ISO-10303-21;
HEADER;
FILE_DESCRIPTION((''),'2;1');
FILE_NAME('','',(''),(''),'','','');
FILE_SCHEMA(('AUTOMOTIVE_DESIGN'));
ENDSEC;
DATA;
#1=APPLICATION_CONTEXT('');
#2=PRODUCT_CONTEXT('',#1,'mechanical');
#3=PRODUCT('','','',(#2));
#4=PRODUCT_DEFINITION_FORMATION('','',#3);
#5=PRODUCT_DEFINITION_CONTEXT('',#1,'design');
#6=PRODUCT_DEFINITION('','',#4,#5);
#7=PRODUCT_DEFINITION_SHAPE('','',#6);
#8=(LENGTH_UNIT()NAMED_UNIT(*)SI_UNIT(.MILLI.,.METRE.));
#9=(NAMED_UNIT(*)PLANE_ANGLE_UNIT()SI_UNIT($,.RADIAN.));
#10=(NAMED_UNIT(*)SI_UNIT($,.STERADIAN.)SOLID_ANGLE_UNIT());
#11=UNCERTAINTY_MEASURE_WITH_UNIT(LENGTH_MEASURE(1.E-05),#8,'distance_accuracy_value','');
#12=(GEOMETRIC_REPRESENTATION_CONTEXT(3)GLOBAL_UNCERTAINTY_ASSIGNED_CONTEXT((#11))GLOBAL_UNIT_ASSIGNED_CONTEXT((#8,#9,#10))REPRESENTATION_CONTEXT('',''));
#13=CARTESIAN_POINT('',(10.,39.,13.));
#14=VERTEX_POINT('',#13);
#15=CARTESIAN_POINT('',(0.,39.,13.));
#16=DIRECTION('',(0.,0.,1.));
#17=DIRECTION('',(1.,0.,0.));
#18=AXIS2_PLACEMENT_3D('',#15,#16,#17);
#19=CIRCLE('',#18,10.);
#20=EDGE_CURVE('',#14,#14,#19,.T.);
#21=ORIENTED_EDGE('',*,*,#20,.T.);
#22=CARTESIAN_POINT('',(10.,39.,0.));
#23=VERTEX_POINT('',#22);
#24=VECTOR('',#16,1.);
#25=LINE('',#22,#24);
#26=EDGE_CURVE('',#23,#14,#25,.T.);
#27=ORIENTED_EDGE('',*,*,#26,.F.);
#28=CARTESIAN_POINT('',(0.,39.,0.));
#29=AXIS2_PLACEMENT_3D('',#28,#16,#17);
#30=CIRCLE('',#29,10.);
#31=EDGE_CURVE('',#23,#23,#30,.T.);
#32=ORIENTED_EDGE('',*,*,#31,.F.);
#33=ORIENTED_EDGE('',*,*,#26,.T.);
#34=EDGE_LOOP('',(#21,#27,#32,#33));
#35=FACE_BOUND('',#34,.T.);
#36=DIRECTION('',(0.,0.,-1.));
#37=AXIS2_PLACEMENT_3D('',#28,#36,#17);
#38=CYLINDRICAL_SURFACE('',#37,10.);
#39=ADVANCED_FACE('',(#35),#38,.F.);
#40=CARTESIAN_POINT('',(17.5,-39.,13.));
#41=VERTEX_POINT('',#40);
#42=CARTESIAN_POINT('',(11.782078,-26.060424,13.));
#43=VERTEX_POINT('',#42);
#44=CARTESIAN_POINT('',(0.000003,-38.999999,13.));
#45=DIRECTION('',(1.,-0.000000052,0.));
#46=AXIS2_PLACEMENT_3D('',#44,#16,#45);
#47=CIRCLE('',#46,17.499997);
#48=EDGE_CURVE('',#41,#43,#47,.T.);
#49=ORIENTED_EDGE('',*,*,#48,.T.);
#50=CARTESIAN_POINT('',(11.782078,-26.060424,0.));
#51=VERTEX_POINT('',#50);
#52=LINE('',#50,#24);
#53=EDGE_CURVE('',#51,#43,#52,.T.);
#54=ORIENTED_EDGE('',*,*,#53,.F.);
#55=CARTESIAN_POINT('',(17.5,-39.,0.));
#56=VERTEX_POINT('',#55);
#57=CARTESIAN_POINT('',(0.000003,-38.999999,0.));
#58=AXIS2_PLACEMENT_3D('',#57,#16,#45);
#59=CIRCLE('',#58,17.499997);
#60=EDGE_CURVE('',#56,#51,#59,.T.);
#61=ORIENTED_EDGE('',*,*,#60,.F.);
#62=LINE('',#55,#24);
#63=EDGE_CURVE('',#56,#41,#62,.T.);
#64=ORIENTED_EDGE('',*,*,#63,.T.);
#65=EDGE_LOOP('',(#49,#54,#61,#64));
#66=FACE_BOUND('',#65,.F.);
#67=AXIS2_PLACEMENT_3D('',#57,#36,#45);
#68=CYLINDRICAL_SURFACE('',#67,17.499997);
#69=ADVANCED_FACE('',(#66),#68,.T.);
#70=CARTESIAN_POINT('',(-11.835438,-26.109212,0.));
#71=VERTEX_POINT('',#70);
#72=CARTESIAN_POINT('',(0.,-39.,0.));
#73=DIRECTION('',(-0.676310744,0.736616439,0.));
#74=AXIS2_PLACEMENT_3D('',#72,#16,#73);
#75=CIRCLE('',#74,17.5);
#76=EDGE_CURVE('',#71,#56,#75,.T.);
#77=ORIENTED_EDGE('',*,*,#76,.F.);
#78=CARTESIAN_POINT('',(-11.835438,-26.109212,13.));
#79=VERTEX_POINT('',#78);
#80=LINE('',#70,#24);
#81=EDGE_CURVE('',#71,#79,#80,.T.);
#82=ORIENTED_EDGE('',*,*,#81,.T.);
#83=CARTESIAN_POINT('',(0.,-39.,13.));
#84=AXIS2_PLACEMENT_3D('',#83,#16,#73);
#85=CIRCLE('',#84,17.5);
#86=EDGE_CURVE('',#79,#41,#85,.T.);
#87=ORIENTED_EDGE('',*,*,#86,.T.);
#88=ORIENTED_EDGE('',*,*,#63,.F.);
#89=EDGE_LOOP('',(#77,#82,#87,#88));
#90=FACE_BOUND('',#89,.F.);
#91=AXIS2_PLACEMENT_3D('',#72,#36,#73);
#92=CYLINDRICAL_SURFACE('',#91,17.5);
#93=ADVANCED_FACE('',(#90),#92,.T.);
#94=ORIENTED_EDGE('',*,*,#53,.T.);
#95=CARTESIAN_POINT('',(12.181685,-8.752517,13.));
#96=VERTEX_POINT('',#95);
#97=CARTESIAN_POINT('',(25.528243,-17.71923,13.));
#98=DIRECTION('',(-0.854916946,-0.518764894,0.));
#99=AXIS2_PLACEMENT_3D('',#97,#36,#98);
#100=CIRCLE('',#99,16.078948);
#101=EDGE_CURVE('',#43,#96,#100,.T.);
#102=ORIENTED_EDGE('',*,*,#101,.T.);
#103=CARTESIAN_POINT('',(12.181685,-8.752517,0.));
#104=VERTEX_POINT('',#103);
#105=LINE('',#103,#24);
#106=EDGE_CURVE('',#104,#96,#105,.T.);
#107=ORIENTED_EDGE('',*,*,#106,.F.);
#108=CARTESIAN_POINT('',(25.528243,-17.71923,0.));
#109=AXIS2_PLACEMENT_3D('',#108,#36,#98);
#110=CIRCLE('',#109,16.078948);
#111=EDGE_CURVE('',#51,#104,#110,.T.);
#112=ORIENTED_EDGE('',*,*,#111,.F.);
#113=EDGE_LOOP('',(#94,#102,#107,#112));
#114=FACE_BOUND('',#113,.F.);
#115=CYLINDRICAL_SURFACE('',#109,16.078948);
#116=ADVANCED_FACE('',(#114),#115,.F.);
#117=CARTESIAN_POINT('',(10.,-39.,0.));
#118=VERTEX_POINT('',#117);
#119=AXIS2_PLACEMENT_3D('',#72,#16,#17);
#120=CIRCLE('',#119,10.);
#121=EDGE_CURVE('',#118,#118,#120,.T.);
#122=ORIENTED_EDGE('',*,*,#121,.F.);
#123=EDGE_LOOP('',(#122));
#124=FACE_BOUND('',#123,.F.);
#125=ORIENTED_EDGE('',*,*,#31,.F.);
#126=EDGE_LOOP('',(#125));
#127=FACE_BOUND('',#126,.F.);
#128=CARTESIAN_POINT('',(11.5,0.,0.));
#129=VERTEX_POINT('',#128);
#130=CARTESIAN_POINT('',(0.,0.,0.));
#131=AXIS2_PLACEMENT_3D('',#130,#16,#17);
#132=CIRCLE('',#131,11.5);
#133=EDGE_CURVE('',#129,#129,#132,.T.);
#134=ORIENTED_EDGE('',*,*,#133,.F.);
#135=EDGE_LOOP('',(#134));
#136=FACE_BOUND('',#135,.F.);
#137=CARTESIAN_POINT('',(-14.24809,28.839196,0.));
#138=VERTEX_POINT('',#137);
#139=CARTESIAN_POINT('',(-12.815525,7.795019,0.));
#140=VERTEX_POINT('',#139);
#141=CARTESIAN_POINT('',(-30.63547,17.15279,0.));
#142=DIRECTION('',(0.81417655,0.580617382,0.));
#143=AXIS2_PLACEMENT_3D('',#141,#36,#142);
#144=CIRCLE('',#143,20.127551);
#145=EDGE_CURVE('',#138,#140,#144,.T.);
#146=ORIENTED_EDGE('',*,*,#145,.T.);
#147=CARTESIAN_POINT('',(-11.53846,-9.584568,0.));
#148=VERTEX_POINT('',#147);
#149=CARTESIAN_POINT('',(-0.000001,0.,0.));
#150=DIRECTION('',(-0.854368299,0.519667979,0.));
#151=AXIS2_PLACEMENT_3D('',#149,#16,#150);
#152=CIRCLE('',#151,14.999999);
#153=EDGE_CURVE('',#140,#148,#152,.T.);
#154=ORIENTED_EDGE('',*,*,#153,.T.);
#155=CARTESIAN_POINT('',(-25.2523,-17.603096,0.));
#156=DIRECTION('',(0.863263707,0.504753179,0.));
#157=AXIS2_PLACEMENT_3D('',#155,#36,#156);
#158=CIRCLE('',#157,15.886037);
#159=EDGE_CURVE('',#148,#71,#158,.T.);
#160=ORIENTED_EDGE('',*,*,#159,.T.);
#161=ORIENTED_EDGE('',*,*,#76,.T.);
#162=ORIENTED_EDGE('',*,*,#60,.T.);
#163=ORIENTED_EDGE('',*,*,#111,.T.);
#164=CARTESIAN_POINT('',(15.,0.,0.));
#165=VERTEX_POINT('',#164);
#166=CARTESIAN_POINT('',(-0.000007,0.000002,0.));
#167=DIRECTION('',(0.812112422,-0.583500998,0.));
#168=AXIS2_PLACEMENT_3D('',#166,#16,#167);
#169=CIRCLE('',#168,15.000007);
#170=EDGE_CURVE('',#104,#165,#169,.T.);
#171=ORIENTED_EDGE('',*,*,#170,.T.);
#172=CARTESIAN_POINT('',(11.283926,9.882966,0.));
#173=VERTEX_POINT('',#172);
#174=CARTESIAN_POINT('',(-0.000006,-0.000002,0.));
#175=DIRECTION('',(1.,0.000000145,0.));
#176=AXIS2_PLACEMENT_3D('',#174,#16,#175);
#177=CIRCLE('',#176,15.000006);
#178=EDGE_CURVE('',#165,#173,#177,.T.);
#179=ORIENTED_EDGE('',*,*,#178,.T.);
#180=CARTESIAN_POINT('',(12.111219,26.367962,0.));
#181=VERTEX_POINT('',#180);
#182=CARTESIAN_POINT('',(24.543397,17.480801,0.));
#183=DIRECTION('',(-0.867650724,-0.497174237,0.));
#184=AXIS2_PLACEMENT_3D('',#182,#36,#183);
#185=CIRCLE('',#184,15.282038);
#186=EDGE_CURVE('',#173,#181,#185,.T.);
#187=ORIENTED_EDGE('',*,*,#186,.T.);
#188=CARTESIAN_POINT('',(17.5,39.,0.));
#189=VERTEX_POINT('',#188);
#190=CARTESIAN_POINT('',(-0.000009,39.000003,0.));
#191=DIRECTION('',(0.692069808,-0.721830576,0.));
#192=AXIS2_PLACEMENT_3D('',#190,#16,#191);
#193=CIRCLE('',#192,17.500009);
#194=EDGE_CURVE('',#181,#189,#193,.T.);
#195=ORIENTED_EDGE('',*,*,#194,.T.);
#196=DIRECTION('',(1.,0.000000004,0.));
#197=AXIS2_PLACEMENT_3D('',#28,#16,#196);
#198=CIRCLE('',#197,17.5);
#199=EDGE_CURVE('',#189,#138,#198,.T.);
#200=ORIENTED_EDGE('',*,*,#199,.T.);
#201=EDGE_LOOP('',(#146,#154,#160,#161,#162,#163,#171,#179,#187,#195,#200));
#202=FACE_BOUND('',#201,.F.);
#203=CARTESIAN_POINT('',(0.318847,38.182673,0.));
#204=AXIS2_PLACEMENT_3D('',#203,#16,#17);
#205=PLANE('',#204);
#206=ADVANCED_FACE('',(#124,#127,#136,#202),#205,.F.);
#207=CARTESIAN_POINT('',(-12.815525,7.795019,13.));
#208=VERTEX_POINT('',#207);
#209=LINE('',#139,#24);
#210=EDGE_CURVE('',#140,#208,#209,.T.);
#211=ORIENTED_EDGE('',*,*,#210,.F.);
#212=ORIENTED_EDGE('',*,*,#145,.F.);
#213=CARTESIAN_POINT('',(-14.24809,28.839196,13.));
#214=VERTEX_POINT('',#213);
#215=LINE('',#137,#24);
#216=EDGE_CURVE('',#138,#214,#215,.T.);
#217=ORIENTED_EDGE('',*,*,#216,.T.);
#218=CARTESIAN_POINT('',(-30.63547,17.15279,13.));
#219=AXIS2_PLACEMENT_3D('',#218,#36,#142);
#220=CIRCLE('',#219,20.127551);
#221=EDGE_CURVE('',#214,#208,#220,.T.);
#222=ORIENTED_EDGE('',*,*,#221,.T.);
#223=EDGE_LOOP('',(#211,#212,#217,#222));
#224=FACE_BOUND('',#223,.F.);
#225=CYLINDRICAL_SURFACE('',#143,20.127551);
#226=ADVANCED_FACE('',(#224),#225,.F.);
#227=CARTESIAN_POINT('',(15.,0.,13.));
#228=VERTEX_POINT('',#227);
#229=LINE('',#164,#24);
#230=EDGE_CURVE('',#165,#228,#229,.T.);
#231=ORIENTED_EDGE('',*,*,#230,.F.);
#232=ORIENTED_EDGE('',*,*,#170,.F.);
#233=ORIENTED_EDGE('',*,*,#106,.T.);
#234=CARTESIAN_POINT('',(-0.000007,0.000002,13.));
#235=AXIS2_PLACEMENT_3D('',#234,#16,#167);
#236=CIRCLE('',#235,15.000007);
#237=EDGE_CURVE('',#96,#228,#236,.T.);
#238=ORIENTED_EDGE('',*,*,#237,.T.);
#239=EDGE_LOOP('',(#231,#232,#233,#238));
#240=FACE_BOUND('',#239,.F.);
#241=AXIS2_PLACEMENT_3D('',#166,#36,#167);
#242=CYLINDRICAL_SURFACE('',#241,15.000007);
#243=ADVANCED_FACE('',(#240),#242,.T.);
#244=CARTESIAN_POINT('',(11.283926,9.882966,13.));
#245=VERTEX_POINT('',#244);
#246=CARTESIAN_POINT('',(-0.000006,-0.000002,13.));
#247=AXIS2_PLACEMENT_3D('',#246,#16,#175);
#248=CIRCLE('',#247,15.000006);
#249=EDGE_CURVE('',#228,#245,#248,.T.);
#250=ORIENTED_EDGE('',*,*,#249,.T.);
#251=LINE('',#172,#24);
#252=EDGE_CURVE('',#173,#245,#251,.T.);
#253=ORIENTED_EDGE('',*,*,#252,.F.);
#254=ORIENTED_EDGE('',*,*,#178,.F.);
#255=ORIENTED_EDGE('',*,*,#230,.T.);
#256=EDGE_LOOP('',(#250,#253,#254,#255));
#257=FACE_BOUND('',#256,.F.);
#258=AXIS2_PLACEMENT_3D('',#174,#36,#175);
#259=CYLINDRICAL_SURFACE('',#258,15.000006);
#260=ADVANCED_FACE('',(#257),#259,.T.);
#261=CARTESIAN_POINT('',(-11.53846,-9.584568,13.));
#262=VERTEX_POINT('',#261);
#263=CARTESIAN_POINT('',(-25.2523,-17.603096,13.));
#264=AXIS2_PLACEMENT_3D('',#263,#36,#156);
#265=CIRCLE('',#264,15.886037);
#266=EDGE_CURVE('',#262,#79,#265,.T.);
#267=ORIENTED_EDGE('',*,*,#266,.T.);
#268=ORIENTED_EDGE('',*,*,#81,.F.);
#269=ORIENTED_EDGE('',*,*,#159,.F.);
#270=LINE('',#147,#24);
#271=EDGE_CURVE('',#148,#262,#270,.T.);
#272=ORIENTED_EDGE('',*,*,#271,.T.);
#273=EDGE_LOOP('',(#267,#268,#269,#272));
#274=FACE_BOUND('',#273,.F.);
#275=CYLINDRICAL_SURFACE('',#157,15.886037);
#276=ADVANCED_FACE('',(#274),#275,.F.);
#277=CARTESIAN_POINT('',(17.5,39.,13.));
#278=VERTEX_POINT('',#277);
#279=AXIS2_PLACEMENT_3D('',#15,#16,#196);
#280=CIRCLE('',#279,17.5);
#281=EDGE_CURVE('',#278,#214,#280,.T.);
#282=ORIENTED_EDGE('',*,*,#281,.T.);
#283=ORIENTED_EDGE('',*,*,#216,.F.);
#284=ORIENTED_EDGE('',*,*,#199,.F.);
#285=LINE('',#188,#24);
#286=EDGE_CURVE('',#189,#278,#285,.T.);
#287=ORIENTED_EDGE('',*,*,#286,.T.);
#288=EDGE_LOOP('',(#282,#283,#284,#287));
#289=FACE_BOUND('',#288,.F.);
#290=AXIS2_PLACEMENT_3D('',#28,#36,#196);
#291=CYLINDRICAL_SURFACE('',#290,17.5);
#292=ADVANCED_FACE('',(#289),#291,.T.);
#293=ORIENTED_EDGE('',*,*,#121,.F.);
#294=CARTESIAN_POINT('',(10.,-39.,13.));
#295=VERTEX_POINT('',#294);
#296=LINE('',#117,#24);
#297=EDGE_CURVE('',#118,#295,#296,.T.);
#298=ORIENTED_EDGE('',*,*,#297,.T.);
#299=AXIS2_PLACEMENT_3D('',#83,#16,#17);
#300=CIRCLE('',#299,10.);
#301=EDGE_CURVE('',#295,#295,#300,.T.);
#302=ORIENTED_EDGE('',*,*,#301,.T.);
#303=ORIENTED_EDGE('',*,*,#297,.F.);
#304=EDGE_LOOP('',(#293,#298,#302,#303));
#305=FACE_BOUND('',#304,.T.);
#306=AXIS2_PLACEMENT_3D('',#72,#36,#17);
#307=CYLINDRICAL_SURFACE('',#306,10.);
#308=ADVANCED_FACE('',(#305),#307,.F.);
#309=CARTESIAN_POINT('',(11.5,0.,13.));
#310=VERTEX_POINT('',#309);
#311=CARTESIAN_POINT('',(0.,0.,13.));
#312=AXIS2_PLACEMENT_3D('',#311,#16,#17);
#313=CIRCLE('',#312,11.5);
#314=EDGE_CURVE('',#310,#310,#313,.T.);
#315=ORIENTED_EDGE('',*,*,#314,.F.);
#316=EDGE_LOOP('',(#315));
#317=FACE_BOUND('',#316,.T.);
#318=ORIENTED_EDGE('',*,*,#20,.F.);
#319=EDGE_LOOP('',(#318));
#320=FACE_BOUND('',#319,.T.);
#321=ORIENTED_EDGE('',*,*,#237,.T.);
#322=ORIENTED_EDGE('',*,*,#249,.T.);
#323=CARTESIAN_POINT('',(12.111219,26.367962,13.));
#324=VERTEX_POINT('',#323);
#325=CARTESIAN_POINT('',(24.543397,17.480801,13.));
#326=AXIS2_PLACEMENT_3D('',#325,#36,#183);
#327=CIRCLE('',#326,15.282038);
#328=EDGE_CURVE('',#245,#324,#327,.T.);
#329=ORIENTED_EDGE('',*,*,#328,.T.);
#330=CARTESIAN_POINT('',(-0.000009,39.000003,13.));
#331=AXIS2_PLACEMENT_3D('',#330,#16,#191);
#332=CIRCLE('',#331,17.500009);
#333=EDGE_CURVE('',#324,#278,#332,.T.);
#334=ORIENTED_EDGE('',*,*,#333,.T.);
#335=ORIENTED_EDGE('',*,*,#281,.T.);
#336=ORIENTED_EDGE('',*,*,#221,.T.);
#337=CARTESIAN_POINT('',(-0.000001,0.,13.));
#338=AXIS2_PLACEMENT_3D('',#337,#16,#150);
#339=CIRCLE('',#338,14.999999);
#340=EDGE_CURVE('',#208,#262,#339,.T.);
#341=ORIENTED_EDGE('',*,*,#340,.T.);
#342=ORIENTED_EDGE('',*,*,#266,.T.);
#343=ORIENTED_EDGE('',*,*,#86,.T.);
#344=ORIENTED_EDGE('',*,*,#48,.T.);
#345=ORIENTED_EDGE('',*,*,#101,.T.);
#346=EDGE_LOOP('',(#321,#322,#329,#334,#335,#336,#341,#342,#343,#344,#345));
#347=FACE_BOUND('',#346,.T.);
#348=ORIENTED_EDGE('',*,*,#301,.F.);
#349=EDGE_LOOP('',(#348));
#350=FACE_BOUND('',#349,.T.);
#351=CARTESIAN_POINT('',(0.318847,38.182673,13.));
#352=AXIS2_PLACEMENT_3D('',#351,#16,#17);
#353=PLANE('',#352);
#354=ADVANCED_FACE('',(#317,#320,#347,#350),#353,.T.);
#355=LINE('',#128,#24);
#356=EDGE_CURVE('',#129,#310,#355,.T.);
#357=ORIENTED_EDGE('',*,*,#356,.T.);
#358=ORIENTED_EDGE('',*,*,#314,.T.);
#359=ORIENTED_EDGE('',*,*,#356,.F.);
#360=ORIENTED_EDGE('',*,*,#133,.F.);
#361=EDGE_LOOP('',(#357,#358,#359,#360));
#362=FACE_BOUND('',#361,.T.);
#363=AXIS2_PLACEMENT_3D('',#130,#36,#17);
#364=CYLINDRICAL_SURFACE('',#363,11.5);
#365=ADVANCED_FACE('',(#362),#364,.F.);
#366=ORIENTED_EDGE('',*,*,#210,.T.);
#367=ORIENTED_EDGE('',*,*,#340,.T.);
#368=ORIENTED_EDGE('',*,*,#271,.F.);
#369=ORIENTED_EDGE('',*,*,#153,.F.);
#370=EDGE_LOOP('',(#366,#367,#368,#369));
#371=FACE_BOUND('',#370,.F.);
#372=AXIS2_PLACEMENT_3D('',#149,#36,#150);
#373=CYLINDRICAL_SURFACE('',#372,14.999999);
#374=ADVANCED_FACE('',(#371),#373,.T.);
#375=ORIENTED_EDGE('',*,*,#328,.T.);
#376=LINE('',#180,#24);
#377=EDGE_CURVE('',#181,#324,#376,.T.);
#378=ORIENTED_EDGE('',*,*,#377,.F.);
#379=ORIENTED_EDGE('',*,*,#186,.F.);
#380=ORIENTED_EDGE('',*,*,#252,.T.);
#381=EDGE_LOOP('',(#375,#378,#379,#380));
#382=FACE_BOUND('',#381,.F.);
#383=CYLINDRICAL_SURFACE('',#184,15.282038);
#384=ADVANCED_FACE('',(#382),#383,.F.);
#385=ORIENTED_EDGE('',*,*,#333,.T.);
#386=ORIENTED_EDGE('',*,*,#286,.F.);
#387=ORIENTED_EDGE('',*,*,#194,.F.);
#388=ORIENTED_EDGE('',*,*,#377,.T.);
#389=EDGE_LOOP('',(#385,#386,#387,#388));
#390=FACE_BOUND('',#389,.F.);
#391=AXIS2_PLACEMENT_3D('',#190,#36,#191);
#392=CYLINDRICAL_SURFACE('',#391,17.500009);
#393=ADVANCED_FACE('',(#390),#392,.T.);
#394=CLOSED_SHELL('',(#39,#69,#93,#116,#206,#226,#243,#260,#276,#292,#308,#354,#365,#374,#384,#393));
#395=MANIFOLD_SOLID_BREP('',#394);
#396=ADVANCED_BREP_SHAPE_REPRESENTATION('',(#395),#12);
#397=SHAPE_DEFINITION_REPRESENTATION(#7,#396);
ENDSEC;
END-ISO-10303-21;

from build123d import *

# Parameters (mm, degrees)
F0_R     = 10
F0_R_2   = 11.5
F1_DEPTH = 13


with BuildPart() as f1:
    # F0 (on Top) → F1 (new body)
    with BuildSketch(Plane.XY):
        with BuildLine():
            ThreePointArc((12.111219, 26.367962), (16.096526, 32.133281), (17.5, 39))
            ThreePointArc((17.5, 39), (-5.334249, 55.667207), (-14.24809, 28.839196))
            ThreePointArc((-14.24809, 28.839196), (-1.633494, 21.576404), (12.111219, 26.367962))
        make_face()
        with Locations((0, 39)):
            Circle(F0_R, mode=Mode.SUBTRACT)
        with BuildLine():
            ThreePointArc((11.283926, 9.882966), (-1.294732, 14.944018), (-12.815525, 7.795019))
            ThreePointArc((-12.815525, 7.795019), (-14.959668, -1.099247), (-11.53846, -9.584568))
            ThreePointArc((-11.53846, -9.584568), (0.525844, -14.99078), (12.181685, -8.752517))
            ThreePointArc((12.181685, -8.752517), (14.278047, -4.597539), (15, 0))
            ThreePointArc((15, 0), (14.040279, 5.279257), (11.283926, 9.882966))
        make_face()
        Circle(F0_R_2, mode=Mode.SUBTRACT)
        with BuildLine():
            ThreePointArc((12.111219, 26.367962), (-1.633494, 21.576404), (-14.24809, 28.839196))
            ThreePointArc((-14.24809, 28.839196), (-10.554394, 18.519793), (-12.815525, 7.795019))
            ThreePointArc((-12.815525, 7.795019), (-1.294732, 14.944018), (11.283926, 9.882966))
            ThreePointArc((11.283926, 9.882966), (9.280567, 18.246761), (12.111219, 26.367962))
        make_face()
        with BuildLine():
            ThreePointArc((12.181685, -8.752517), (0.525844, -14.99078), (-11.53846, -9.584568))
            ThreePointArc((-11.53846, -9.584568), (-9.368827, -17.888551), (-11.835438, -26.109212))
            ThreePointArc((-11.835438, -26.109212), (-0.036151, -21.500037), (11.782078, -26.060424))
            ThreePointArc((11.782078, -26.060424), (9.453579, -17.348097), (12.181685, -8.752517))
        make_face()
        with BuildLine():
            ThreePointArc((11.782078, -26.060424), (-0.036151, -21.500037), (-11.835438, -26.109212))
            ThreePointArc((-11.835438, -26.109212), (-7.040236, -55.021394), (17.5, -39))
            ThreePointArc((17.5, -39), (16.006817, -31.926683), (11.782078, -26.060424))
        make_face()
        with Locations((0, -39)):
            Circle(F0_R, mode=Mode.SUBTRACT)
    extrude(amount=F1_DEPTH)


solid = f1.part
